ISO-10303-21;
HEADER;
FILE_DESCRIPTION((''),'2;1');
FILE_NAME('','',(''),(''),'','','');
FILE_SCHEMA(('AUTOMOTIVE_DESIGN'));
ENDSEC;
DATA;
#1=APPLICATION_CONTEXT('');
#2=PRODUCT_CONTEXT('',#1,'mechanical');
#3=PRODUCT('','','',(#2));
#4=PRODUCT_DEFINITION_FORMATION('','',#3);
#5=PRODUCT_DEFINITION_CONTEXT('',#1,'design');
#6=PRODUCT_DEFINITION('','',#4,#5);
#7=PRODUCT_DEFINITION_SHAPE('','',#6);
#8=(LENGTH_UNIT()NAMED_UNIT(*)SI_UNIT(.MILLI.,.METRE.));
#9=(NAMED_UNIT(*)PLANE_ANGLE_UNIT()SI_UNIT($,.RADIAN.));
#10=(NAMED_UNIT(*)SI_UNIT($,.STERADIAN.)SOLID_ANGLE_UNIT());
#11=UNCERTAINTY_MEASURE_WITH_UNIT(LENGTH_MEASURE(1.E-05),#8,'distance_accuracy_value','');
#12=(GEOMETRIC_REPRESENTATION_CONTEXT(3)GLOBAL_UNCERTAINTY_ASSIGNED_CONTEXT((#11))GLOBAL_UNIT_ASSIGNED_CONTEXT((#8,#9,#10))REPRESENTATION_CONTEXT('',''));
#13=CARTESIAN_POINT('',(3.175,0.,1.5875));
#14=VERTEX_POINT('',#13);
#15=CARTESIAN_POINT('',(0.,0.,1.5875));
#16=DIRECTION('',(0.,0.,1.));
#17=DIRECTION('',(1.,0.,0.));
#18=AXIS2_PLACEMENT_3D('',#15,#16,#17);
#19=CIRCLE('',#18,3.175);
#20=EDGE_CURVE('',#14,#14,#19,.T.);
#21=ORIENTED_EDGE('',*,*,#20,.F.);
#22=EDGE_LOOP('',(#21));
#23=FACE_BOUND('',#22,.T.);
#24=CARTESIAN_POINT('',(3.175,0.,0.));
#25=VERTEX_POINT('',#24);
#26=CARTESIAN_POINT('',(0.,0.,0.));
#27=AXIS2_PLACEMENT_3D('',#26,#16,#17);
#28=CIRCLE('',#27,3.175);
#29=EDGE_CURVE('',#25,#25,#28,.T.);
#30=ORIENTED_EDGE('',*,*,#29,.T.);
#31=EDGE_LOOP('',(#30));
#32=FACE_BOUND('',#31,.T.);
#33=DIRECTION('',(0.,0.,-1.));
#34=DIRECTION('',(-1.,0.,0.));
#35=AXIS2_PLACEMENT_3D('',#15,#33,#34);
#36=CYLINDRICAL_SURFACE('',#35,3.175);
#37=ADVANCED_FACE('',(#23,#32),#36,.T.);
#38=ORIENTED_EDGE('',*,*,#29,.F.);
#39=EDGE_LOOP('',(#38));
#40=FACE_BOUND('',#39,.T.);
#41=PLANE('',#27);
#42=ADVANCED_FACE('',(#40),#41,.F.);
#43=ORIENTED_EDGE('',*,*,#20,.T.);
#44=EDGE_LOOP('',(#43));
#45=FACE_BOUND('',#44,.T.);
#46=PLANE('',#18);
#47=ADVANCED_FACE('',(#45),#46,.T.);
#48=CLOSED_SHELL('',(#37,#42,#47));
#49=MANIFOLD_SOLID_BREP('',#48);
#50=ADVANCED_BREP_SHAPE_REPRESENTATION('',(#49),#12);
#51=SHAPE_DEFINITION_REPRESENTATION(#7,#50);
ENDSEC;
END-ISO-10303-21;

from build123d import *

# Parameters (mm, degrees)
SKETCH1_R           = 3.175
BOSS_EXTRUDE1_DEPTH = 1.5875


with BuildPart() as part:
    # Sketch1 → Boss-Extrude1 (new body)
    with BuildSketch(Plane.XY):
        Circle(SKETCH1_R)
    extrude(amount=BOSS_EXTRUDE1_DEPTH)


solid = part.part
